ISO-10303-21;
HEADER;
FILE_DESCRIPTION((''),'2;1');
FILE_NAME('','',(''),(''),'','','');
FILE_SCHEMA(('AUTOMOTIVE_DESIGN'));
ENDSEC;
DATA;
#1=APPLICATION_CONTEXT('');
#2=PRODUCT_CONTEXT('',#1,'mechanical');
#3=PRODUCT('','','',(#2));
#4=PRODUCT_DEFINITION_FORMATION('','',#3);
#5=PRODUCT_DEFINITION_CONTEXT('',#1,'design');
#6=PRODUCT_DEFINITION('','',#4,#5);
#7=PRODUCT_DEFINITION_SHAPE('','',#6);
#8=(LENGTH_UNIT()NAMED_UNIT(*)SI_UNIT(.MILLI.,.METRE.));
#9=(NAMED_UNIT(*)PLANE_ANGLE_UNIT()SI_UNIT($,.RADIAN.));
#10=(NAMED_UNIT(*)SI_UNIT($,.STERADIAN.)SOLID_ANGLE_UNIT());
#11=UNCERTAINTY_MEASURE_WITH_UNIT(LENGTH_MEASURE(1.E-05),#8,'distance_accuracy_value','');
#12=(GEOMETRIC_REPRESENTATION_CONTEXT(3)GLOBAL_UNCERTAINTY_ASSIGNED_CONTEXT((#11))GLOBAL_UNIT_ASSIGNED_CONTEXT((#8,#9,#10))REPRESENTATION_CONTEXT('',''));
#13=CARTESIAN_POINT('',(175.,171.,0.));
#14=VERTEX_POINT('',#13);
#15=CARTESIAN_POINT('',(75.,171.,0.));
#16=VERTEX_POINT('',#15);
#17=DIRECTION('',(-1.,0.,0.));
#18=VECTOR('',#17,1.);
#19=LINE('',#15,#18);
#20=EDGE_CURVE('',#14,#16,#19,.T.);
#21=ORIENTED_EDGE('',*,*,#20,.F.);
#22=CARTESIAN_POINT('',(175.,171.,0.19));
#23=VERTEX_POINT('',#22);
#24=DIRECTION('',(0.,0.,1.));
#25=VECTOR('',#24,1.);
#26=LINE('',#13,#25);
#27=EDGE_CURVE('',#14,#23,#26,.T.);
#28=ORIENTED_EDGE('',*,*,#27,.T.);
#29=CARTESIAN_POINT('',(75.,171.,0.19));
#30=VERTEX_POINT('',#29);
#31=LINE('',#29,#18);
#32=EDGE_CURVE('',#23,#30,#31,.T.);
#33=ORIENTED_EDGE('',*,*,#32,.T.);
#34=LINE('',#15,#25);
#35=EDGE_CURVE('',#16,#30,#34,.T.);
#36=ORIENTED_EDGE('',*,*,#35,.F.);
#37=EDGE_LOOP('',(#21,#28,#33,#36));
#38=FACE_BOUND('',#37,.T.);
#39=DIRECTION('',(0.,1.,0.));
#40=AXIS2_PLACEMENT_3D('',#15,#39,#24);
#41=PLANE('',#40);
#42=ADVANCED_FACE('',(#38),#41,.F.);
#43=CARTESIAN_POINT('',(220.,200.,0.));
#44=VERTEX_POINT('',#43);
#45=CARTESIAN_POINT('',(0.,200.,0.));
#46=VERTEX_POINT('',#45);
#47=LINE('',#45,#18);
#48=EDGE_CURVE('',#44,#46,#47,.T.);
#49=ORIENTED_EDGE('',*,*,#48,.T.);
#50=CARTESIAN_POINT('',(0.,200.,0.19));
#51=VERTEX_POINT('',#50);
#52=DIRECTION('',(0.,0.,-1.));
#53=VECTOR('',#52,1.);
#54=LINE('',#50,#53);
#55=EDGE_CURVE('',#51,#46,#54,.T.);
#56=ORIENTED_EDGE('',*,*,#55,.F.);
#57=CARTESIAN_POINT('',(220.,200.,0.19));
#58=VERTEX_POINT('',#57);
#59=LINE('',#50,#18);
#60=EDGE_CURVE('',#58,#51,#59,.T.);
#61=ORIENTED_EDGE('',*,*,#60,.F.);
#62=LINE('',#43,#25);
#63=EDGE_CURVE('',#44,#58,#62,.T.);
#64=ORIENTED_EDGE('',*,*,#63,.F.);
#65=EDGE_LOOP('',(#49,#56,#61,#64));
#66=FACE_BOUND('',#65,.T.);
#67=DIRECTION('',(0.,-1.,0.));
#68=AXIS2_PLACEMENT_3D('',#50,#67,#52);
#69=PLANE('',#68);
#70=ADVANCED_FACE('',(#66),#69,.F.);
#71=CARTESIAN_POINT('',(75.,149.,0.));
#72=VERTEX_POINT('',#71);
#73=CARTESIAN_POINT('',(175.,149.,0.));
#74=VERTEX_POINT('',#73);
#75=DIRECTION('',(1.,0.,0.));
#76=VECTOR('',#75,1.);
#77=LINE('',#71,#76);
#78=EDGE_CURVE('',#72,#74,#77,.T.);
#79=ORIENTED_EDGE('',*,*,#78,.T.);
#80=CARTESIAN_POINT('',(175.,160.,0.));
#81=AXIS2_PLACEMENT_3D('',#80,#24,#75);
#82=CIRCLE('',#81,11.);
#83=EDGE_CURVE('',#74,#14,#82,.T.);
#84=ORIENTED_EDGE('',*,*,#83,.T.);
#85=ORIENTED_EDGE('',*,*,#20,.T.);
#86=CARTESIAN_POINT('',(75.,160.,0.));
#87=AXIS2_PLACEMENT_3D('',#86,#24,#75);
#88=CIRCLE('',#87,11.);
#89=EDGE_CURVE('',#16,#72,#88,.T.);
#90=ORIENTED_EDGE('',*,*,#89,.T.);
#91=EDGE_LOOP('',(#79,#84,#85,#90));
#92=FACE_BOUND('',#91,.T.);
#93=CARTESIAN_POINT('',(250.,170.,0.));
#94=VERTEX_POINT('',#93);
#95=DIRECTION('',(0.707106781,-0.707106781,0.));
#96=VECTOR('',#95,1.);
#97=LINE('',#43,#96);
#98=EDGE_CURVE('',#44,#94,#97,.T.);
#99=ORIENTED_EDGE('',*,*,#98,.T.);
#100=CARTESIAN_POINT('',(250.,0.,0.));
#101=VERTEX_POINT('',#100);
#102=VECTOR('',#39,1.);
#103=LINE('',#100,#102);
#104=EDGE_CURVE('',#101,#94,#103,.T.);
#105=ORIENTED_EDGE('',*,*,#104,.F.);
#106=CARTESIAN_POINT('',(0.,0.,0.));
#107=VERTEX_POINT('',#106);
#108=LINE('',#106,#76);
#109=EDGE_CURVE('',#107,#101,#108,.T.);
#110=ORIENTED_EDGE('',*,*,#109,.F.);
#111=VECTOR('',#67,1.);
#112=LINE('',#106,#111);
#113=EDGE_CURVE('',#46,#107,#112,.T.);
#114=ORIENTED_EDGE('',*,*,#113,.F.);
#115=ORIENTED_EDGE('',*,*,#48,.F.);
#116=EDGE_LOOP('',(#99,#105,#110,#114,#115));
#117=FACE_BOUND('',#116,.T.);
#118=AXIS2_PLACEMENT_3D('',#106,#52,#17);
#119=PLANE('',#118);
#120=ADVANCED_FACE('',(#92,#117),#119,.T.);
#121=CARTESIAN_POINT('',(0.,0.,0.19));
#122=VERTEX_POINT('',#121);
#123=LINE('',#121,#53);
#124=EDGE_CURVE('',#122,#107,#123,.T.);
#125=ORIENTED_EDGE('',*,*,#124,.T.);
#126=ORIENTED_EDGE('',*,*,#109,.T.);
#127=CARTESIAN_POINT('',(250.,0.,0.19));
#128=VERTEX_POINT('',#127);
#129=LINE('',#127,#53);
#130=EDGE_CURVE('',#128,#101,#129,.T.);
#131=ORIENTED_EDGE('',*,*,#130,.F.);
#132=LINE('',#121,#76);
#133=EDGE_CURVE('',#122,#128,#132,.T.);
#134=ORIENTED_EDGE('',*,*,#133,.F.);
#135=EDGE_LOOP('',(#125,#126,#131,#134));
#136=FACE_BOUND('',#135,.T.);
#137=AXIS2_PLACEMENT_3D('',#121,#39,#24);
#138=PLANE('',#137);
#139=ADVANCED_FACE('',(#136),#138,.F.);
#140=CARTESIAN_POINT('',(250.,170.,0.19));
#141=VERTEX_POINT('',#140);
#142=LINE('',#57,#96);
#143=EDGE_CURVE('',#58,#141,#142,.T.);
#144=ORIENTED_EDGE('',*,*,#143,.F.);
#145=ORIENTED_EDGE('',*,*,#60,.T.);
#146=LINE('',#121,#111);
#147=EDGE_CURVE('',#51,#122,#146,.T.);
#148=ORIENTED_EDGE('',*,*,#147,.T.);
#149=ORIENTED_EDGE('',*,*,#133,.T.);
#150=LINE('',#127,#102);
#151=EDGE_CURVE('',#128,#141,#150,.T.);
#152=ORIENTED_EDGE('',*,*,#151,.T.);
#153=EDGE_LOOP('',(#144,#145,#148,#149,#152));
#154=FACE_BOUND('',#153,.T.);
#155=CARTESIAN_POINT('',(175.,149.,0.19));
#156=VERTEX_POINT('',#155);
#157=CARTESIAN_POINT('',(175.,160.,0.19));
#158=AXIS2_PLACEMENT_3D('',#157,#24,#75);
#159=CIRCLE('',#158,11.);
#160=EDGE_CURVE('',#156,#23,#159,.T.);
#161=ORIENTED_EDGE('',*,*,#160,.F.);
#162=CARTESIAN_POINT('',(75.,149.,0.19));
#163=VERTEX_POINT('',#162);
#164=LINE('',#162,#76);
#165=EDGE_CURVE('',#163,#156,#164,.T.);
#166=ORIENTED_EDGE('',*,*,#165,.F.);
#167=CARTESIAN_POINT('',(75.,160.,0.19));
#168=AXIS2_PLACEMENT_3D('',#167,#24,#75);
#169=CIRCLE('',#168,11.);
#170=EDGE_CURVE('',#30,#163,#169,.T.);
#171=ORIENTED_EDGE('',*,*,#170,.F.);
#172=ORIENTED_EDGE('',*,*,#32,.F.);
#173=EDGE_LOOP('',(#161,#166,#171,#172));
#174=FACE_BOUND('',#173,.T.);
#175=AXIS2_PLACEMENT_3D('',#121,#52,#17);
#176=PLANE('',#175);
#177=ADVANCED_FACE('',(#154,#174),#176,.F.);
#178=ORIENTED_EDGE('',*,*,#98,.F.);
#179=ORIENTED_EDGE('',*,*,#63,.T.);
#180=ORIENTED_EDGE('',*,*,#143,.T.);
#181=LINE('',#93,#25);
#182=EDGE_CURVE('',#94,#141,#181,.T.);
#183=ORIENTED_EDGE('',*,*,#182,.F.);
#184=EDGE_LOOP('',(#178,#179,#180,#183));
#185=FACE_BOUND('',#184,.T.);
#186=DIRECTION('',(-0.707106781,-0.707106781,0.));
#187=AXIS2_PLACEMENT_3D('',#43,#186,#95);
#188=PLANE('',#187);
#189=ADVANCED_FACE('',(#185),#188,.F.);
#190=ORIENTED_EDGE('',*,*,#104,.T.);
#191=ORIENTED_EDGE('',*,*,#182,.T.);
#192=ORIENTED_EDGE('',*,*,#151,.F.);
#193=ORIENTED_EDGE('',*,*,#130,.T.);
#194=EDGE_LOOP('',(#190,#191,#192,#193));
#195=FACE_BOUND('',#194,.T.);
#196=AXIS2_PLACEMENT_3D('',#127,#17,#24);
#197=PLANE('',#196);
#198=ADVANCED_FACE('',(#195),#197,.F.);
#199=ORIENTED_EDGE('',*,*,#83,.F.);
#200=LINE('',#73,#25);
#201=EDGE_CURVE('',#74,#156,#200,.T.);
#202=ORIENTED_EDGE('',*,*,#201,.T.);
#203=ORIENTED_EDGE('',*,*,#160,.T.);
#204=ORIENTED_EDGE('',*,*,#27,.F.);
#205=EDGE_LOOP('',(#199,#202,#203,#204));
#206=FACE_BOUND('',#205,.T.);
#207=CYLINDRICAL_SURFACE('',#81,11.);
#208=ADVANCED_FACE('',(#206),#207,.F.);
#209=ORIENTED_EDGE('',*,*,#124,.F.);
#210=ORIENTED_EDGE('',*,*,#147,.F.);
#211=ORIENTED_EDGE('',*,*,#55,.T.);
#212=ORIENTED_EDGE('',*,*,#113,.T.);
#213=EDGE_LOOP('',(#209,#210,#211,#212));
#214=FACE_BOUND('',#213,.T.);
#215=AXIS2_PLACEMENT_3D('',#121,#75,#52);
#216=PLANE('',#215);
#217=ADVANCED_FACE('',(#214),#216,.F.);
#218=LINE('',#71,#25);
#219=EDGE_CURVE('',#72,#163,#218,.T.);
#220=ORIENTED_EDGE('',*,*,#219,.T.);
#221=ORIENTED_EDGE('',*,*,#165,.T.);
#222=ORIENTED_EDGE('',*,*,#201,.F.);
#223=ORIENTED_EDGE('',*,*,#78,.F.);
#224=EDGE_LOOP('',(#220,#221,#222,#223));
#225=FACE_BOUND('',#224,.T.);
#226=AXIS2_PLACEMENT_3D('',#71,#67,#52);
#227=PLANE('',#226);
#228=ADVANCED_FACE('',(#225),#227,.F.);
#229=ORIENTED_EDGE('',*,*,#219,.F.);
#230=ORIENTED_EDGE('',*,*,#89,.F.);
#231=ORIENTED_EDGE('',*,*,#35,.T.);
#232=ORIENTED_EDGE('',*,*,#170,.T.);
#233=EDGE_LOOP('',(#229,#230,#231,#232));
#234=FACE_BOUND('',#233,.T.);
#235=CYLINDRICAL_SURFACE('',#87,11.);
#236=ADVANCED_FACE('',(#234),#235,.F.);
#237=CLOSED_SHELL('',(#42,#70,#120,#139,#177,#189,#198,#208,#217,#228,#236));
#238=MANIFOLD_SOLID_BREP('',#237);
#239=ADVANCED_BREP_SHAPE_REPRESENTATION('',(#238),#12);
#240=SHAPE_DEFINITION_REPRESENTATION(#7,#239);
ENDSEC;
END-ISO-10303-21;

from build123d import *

# Parameters (mm, degrees)
SKIZZE1_W                       = 250
SKIZZE1_H                       = 200
AUFSATZ_LINEAR_AUSTRAGEN1_DEPTH = 0.19
SCHNITT_LINEAR_AUSTRAGEN1_DEPTH = 1.19


with BuildPart() as part:
    # Skizze1 → Aufsatz-Linear austragen1 (new body)
    with BuildSketch(Plane.XY):
        with Locations((125, 100)):
            Rectangle(SKIZZE1_W, SKIZZE1_H)
    extrude(amount=AUFSATZ_LINEAR_AUSTRAGEN1_DEPTH)

    # Skizze2 → Schnitt-Linear austragen1 (cut, through all)
    with BuildSketch(Plane.XY.offset(0.19)):
        with BuildLine():
            Line((75, 171), (175, 171))
            ThreePointArc((175, 171), (186, 160), (175, 149))
            Line((175, 149), (75, 149))
            ThreePointArc((75, 149), (64, 160), (75, 171))
        make_face()
        Polygon((220, 200), (250, 170), (250, 200), align=None)
    extrude(amount=-SCHNITT_LINEAR_AUSTRAGEN1_DEPTH, mode=Mode.SUBTRACT)


solid = part.part
